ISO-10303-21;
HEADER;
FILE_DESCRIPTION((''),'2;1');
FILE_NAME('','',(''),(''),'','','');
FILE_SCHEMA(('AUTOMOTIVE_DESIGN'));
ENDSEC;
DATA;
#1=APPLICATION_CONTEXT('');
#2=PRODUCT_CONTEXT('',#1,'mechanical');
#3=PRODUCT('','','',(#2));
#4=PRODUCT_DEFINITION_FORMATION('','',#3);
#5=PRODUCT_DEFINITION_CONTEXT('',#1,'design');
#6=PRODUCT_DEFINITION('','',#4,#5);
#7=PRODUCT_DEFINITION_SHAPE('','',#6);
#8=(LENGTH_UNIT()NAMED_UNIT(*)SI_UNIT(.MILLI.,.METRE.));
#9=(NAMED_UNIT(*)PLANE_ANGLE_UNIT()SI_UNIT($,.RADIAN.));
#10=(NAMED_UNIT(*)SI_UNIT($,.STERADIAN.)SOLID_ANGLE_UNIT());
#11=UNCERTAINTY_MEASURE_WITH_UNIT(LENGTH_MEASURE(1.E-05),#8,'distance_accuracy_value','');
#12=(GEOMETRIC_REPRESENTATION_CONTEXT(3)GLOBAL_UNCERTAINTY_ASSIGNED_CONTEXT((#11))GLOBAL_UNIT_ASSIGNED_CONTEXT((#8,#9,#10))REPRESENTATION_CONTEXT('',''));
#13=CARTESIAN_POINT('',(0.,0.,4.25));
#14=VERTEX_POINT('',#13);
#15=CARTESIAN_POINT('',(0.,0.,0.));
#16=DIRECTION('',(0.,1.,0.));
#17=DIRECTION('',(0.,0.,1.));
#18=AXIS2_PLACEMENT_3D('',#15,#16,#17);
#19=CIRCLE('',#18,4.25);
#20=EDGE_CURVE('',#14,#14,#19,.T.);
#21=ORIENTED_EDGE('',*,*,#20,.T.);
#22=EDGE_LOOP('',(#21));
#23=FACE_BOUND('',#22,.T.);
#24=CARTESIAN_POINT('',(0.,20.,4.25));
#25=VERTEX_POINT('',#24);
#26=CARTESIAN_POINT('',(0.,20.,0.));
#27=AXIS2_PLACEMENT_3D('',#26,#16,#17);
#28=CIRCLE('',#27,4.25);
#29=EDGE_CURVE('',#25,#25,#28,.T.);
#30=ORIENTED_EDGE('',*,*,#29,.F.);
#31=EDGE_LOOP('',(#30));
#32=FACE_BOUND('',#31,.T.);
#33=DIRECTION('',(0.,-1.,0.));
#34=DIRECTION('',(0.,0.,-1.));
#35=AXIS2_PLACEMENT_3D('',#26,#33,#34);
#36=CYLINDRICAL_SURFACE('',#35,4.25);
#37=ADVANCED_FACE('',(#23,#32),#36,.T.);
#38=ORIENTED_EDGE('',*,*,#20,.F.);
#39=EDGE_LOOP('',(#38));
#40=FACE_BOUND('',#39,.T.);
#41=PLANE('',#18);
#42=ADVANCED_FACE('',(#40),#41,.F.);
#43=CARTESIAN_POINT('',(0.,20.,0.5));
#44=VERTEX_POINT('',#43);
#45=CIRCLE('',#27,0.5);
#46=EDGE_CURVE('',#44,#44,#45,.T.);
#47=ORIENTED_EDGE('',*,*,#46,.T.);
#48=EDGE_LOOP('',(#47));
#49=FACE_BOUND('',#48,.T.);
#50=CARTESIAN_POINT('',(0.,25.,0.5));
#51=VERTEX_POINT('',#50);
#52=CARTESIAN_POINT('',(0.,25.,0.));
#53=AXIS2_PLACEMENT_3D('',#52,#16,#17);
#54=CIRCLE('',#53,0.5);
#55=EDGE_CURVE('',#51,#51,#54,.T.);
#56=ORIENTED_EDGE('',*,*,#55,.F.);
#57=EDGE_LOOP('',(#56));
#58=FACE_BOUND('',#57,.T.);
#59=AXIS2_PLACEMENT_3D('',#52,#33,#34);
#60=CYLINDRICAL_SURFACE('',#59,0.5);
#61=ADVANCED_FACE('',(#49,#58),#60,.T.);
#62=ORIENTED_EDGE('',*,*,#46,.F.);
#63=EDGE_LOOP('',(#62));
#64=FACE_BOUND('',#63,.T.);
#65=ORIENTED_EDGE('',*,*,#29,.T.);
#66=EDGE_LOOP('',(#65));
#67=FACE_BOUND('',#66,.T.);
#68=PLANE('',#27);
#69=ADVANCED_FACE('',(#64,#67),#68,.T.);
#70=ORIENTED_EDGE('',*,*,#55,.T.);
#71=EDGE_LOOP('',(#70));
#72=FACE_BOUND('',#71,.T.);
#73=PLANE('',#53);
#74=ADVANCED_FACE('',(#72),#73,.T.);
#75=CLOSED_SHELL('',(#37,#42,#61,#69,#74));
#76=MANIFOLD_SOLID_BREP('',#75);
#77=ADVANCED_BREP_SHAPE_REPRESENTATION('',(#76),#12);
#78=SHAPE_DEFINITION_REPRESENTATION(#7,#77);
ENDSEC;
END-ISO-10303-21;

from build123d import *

# Parameters (mm, degrees)
SKETCH_1_R      = 4.25
EXTRUDE_1_DEPTH = 20
SKETCH_2_R      = 0.5
EXTRUDE_2_DEPTH = 5


with BuildPart() as part:
    # 草图1 → 凸台-拉伸1 (new body)
    with BuildSketch(Plane(origin=(0, 0, 0), x_dir=(1, 0, 0), z_dir=(0, 1, 0))):
        Circle(SKETCH_1_R)
    extrude(amount=EXTRUDE_1_DEPTH)

    # 草图2 → 凸台-拉伸2 (add)
    with BuildSketch(Plane(origin=(0, 20, 0), x_dir=(1, 0, 0), z_dir=(0, 1, 0))):
        Circle(SKETCH_2_R)
    extrude(amount=EXTRUDE_2_DEPTH)


solid = part.part
